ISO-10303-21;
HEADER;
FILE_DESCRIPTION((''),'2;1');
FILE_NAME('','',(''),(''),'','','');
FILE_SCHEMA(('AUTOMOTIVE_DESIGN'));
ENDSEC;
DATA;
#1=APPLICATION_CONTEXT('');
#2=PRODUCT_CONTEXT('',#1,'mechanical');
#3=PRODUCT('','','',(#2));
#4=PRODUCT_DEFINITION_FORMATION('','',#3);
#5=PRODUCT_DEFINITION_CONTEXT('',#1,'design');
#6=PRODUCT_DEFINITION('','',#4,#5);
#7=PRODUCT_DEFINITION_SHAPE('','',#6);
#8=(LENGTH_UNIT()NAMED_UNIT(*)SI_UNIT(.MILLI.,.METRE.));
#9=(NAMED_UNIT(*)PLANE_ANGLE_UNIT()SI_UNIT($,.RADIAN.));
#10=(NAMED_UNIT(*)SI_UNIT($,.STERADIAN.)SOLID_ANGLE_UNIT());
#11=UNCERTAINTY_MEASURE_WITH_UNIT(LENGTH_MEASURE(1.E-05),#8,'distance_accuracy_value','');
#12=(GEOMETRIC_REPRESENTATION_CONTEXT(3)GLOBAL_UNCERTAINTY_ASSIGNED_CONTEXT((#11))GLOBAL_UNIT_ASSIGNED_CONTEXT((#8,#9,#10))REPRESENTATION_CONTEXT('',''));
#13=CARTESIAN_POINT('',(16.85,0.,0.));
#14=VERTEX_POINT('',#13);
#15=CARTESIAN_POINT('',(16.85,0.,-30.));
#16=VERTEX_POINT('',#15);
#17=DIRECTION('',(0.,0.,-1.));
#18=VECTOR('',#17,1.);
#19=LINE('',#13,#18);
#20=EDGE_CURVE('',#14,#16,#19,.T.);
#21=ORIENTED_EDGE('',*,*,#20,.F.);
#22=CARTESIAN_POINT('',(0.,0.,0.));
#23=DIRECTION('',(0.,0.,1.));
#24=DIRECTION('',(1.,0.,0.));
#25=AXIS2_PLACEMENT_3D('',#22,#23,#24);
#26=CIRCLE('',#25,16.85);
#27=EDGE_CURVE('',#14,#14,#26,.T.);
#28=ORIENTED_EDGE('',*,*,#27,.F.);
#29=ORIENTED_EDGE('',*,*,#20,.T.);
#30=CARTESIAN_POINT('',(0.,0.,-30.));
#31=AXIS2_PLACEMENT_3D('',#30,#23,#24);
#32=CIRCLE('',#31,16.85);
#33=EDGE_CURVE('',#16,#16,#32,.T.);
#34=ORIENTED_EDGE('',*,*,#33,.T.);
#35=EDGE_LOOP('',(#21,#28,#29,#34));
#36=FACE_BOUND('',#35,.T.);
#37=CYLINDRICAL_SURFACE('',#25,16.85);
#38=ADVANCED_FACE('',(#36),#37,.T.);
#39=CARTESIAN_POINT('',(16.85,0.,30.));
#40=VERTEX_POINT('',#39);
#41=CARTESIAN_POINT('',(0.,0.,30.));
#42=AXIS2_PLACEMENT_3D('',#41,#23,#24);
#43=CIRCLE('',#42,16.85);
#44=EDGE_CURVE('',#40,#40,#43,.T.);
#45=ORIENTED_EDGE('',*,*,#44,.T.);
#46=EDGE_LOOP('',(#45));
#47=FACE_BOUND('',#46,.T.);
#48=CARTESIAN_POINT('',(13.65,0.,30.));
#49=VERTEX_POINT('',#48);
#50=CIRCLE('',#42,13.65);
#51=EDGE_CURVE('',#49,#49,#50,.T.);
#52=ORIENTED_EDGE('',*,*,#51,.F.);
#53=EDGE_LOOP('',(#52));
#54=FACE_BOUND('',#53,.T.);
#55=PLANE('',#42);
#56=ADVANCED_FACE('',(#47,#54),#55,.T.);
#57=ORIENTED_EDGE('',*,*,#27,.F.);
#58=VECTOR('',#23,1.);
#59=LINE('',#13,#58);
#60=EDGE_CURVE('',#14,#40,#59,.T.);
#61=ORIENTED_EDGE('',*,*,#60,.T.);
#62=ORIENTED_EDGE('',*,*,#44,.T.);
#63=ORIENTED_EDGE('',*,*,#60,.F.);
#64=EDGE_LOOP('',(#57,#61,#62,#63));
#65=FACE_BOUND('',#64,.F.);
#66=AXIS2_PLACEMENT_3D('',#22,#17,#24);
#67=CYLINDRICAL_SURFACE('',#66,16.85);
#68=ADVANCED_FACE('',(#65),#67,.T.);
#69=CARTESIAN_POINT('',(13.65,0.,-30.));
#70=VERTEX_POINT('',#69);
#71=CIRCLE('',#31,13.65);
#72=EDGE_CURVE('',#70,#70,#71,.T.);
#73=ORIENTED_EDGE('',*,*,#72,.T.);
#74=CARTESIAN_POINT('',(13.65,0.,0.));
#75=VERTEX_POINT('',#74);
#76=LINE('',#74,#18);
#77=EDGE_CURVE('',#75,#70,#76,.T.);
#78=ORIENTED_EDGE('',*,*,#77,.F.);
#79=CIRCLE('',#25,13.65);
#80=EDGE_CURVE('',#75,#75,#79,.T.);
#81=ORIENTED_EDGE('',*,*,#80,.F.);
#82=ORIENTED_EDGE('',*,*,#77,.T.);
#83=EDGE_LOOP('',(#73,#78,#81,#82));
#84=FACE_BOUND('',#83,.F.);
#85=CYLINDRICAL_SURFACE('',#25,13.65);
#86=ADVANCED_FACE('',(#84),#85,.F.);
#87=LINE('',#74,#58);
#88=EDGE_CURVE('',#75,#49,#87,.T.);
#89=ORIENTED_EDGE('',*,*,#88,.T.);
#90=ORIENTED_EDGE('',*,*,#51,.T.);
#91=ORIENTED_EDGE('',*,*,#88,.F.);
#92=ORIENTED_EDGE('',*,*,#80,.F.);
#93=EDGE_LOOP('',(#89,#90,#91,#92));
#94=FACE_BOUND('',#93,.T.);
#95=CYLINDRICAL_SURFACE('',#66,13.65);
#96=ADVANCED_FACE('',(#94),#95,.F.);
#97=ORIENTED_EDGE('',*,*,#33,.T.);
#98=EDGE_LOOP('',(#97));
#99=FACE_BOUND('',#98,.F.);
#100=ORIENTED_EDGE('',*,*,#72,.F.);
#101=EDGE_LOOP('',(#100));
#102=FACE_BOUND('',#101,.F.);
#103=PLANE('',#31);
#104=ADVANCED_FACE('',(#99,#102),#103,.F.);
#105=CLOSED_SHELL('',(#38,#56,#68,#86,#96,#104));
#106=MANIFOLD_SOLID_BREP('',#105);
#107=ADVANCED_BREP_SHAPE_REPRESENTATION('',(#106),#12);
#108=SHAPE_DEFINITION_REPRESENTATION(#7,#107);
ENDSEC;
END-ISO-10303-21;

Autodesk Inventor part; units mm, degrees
ref_plane "YZ Plane" through (0, 0, 0) normal (1, 0, 0) x (0, 1, 0)
ref_plane "XZ Plane" through (0, 0, 0) normal (0, 1, 0) x (-1, 0, 0)
ref_plane "XY Plane" through (0, 0, 0) normal (0, 0, 1) x (1, 0, 0)
sketch "Sketch1" plane through (0, 0, 0) normal (0, 0, 1) x (1, 0, 0)
  circle A0 centre (0, 0) radius 16.85
  circle A1 centre (0, 0) radius 13.65
  dimension "OD" = 33.7
  dimension "t" = 3.2
extrude "Extrusion1" add sketch "Sketch1" along normal mid plane 60
equation "\"size\" = 6"
properties part number "tube-04"
